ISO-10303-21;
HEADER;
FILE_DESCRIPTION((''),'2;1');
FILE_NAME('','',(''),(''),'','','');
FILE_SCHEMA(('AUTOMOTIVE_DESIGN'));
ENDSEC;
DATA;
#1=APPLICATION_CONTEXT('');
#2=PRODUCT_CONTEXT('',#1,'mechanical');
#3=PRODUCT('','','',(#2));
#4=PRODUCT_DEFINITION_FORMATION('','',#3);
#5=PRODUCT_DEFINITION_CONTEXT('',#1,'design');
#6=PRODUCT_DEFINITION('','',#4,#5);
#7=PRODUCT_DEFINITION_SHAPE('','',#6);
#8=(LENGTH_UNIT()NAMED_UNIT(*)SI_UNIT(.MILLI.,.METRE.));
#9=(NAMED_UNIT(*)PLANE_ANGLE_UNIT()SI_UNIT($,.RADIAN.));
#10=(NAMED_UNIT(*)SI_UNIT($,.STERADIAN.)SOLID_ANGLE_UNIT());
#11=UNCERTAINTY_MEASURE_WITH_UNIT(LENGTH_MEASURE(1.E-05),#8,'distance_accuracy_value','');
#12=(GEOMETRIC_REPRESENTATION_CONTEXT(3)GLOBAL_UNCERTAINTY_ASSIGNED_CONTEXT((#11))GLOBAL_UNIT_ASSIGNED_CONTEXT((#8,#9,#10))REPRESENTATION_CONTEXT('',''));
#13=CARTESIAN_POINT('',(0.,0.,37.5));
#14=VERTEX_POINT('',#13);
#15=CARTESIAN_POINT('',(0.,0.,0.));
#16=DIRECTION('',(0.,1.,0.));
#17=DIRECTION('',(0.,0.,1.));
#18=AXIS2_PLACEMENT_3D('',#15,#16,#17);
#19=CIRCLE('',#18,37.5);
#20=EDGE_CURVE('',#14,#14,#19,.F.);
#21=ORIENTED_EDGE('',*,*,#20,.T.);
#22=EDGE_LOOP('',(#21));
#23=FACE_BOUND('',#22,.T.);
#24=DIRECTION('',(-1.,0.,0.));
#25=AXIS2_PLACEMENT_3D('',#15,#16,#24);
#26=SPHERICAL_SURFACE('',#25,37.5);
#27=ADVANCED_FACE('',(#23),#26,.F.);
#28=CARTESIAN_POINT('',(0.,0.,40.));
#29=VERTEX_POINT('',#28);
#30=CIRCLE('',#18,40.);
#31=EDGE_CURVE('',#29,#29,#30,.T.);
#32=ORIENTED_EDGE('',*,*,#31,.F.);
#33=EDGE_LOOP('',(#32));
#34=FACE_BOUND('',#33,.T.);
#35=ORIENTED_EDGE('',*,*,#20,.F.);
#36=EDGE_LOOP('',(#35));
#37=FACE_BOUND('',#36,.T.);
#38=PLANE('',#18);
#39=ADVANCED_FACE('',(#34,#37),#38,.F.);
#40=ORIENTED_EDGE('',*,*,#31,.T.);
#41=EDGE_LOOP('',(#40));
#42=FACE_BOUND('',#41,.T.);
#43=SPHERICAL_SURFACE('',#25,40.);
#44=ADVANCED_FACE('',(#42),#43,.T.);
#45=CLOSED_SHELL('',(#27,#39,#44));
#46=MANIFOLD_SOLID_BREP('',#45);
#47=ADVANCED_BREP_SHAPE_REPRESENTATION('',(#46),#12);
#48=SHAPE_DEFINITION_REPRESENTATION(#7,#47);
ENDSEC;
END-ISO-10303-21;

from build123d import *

# Parameters (mm, degrees)
SKETCH_2_R          = 46.183370151
CUT_EXTRUDE_1_DEPTH = 500


with BuildPart() as part:
    # 草图1 → 旋转1 (revolve)
    with BuildSketch(Plane.XY):
        with BuildLine():
            Line((0, 40), (0, 37.5))
            ThreePointArc((0, 37.5), (37.5, 0), (0, -37.5))
            Line((0, -37.5), (0, -40))
            ThreePointArc((0, -40), (40, 0), (0, 40))
        make_face()
    revolve(axis=Axis((0, 40, 0), (0, -1, 0)))

    # 草图2 → 切除-拉伸1 (cut)
    with BuildSketch(Plane(origin=(0, 0, 0), x_dir=(1, 0, 0), z_dir=(0, 1, 0))):
        Circle(SKETCH_2_R)
    extrude(amount=-CUT_EXTRUDE_1_DEPTH, mode=Mode.SUBTRACT)


solid = part.part
